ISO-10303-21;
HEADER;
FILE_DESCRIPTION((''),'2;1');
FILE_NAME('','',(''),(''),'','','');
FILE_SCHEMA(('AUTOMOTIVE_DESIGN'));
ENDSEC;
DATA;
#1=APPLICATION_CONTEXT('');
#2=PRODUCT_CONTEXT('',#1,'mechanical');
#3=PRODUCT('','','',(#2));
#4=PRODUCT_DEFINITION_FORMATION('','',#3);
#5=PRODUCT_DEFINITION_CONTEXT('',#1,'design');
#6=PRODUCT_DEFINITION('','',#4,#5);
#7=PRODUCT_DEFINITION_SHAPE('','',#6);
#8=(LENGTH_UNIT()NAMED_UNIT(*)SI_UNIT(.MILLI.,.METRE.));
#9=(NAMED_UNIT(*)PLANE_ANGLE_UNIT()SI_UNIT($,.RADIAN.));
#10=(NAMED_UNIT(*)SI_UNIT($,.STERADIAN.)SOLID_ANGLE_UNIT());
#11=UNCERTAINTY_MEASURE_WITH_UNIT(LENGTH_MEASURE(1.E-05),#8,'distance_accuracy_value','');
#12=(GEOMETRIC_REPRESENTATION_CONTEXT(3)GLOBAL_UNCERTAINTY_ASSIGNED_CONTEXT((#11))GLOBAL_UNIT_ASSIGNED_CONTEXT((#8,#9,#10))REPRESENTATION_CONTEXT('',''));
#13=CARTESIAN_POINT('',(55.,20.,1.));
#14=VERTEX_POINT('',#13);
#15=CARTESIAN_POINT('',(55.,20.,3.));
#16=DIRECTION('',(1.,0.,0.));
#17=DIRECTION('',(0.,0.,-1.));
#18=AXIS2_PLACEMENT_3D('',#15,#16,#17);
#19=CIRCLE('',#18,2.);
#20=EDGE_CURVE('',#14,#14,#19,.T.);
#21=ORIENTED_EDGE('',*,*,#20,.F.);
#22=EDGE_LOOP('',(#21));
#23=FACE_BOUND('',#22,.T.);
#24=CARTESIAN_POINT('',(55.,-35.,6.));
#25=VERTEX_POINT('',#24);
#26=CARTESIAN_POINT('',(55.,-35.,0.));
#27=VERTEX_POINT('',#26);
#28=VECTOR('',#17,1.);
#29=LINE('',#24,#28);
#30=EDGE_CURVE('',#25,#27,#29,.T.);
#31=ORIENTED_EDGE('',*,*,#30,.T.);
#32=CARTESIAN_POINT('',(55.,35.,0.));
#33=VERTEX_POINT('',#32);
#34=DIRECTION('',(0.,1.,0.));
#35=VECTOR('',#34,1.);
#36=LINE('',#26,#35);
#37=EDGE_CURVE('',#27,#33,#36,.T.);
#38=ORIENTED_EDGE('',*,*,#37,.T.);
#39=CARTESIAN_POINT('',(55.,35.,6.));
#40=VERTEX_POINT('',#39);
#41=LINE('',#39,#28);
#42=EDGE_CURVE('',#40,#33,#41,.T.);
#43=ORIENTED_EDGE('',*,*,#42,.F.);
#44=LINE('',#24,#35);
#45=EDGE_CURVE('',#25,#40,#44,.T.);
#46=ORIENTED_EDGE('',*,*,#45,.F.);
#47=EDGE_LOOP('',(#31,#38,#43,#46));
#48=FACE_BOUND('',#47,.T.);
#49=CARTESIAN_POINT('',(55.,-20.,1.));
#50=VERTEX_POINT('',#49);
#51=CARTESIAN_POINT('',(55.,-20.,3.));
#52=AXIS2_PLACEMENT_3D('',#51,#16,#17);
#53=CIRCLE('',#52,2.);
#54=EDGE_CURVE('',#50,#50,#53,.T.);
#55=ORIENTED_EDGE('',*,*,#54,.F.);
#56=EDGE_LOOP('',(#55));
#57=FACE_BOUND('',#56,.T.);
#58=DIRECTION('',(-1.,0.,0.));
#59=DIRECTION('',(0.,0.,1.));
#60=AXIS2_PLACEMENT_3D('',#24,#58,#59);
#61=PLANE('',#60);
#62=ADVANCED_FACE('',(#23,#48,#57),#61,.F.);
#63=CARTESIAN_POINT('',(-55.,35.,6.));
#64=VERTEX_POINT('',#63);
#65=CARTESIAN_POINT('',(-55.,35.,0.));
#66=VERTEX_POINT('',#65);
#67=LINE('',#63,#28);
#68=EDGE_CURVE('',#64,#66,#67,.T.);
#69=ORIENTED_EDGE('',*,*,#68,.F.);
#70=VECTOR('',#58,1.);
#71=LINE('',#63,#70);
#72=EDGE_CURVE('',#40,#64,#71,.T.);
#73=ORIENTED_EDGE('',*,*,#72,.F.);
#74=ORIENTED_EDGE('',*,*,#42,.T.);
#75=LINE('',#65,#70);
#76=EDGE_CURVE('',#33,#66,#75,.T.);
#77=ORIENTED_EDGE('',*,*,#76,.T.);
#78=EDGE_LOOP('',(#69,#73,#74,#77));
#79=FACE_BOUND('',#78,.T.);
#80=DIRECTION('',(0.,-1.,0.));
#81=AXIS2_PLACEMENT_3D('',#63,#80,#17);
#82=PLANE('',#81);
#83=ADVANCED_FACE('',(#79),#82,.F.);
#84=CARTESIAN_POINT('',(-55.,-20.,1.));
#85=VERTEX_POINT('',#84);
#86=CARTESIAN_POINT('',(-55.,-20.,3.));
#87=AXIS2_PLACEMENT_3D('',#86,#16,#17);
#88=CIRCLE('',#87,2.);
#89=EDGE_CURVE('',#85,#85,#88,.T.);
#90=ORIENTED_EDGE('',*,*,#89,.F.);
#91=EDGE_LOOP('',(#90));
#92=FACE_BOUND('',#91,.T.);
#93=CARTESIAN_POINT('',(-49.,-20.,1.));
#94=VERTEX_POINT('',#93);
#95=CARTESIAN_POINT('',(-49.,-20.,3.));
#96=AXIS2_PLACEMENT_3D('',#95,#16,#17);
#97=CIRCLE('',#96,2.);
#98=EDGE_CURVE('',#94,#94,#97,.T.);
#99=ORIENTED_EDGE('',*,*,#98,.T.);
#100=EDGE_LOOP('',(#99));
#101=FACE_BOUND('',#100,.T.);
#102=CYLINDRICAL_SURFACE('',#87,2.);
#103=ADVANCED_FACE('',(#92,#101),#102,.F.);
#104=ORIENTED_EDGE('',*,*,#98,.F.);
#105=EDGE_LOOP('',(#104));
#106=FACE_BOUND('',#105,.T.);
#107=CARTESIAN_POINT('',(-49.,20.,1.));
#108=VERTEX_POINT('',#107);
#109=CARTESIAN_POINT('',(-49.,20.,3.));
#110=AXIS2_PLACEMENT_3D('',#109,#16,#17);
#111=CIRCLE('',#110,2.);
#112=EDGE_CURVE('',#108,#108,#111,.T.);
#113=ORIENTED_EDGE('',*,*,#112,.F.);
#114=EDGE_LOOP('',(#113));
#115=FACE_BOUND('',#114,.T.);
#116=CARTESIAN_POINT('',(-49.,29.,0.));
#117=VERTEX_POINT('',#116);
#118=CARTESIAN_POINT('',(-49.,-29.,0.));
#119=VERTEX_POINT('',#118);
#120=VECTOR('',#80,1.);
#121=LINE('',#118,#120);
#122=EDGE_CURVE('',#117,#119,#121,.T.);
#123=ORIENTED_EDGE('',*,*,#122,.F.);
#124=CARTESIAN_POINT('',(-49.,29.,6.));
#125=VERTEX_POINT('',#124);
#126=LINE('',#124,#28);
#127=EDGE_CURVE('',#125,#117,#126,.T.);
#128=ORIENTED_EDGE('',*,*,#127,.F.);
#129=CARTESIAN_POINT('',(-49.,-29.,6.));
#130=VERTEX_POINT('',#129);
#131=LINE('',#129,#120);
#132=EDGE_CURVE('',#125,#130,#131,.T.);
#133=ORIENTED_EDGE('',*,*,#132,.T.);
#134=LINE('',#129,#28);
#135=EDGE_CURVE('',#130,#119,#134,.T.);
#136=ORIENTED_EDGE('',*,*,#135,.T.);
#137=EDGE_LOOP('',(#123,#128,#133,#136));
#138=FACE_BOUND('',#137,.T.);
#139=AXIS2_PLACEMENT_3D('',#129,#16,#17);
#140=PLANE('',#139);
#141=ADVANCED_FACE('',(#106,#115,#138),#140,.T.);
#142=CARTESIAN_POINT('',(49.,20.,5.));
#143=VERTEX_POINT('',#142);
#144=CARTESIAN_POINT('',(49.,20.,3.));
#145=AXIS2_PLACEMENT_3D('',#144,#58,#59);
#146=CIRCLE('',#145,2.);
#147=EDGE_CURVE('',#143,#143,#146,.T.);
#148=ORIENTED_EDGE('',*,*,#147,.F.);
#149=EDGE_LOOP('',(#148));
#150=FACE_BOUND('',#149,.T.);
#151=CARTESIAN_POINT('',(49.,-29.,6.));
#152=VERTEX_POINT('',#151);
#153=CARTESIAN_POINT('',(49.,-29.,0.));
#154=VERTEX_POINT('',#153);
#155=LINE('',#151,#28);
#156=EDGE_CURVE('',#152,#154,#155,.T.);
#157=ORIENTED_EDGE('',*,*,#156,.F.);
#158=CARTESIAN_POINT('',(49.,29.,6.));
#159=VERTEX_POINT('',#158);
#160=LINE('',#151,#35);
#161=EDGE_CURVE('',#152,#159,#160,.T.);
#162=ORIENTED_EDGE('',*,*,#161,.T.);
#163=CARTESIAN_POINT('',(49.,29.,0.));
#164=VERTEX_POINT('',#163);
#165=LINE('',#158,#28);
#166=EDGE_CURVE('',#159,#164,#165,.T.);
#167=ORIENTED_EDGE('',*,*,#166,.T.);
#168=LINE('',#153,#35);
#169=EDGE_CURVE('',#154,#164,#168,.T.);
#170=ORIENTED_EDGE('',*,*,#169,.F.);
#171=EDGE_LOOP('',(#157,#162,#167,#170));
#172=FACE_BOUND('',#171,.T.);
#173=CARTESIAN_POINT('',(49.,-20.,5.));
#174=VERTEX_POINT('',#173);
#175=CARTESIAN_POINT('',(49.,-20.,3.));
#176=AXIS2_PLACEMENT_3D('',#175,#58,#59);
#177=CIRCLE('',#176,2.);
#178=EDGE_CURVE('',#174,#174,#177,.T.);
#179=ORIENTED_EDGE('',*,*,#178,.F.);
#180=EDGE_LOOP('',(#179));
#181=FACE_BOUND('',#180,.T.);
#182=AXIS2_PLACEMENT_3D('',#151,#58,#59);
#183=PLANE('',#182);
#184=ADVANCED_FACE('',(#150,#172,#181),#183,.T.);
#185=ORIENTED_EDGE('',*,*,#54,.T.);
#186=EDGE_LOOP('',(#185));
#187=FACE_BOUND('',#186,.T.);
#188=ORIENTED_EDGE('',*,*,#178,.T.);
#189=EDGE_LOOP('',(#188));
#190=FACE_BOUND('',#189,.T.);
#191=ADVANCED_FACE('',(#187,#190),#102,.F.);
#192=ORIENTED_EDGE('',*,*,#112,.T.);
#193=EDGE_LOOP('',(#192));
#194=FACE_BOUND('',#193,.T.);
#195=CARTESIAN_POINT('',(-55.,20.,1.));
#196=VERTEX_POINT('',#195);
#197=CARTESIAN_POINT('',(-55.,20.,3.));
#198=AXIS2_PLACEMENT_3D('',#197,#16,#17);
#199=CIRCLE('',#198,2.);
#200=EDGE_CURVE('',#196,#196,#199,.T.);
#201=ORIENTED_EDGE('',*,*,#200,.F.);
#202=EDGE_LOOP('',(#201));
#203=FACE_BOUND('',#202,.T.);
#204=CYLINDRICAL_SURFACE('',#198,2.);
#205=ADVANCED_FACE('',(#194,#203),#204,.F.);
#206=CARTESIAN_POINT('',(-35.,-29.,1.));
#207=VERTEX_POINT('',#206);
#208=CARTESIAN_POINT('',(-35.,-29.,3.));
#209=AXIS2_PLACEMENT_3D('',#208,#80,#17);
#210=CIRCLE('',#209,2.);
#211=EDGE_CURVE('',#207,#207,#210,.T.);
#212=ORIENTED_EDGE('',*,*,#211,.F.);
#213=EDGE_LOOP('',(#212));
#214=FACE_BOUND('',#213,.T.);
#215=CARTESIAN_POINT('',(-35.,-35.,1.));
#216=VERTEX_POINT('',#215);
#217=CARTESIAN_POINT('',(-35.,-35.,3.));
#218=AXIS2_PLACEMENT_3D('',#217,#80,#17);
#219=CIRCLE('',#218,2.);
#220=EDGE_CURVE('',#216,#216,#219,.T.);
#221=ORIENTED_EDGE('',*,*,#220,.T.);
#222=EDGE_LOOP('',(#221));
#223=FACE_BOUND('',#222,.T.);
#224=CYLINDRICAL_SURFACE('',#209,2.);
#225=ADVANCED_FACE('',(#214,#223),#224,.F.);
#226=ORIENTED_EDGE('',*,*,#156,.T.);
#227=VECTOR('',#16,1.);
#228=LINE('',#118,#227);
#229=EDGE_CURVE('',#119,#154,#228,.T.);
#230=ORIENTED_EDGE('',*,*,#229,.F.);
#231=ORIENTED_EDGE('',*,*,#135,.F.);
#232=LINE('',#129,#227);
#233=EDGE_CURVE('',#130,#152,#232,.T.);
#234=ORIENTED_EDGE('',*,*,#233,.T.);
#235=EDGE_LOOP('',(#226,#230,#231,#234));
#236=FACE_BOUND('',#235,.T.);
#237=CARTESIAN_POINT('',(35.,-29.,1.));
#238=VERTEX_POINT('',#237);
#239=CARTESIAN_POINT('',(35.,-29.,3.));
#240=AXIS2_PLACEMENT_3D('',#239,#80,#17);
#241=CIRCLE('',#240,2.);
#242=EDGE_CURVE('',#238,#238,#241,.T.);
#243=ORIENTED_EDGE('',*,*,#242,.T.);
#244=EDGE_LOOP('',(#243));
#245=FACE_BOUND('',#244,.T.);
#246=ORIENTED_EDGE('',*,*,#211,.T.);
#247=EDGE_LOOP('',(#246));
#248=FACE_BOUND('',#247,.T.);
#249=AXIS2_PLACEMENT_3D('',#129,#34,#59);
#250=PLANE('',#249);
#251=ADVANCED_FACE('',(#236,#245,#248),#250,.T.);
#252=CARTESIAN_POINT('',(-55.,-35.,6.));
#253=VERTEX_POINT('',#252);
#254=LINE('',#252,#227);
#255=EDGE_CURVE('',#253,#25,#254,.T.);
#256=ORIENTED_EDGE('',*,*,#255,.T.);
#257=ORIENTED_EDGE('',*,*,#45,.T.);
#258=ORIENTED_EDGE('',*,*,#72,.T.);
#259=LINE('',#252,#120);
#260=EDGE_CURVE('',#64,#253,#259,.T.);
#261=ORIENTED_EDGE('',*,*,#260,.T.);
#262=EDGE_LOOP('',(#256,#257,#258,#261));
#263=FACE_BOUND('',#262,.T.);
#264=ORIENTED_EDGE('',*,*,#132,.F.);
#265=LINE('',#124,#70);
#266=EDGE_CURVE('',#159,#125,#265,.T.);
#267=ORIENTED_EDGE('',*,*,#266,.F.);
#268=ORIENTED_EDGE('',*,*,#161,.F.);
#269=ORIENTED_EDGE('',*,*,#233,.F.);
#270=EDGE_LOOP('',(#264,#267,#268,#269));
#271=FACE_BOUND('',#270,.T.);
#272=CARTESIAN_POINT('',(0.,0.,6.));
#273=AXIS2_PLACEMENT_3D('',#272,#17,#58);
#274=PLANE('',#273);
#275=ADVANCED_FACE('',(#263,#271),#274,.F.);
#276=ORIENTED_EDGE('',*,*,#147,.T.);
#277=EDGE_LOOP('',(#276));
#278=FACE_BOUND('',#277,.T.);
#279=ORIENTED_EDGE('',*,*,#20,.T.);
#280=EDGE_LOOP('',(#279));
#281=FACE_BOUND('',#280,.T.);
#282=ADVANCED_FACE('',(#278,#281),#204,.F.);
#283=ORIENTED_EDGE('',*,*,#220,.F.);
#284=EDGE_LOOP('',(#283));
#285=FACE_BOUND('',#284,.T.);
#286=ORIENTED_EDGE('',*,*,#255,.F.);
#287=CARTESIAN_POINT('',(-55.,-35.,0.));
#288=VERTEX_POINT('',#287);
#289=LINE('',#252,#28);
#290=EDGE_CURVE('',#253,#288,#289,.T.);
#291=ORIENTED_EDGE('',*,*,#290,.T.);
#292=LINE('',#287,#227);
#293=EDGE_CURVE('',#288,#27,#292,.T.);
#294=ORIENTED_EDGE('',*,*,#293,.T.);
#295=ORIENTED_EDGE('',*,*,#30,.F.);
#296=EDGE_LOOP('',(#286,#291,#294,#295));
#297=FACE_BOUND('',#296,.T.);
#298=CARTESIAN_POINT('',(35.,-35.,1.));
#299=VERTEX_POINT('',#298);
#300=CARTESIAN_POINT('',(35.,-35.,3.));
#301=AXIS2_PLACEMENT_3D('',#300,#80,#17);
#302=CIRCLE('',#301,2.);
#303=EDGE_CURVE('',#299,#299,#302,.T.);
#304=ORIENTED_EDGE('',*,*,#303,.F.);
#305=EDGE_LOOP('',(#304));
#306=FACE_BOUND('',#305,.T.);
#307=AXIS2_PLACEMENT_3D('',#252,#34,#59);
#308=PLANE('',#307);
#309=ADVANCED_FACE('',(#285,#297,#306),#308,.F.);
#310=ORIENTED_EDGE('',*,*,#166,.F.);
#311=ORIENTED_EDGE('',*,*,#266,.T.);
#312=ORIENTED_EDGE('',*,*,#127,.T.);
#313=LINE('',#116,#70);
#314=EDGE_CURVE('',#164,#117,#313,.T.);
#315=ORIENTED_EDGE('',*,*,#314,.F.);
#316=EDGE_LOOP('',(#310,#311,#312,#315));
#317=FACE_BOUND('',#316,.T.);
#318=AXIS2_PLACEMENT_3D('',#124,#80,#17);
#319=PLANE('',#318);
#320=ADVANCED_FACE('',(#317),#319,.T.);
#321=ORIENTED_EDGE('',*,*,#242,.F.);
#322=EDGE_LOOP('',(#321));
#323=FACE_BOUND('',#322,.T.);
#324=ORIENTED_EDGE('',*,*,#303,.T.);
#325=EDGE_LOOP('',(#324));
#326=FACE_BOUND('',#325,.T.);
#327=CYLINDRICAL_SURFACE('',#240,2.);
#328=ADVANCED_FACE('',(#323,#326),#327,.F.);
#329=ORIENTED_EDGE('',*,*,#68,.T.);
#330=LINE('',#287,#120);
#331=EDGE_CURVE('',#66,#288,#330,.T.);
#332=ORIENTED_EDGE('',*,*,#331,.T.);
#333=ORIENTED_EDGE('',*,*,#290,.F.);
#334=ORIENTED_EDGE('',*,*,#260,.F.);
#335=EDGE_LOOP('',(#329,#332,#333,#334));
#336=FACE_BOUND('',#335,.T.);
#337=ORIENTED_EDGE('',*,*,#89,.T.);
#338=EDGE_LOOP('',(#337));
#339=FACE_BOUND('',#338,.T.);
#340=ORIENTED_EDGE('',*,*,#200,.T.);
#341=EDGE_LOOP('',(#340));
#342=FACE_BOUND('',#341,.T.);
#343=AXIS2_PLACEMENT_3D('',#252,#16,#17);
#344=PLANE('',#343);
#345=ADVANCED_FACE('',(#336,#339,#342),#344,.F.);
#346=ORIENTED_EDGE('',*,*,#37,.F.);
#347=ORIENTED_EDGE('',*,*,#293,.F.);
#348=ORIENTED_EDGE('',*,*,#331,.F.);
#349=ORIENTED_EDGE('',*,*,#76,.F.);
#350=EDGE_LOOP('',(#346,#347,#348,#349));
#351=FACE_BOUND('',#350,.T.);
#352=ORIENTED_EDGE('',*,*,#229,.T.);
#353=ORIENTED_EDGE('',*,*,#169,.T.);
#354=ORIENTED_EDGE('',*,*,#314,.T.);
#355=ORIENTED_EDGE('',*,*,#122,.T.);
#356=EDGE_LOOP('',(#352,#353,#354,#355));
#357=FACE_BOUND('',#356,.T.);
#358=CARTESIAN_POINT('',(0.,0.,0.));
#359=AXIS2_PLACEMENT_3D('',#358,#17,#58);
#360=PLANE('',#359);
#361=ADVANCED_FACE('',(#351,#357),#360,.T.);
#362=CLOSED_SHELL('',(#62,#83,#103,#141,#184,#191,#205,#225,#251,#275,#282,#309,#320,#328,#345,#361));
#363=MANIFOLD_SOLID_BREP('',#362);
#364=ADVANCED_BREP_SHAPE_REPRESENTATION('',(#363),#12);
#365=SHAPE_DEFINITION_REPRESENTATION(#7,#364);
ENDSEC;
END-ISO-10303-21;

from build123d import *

# Parameters (mm, degrees)
SKETCH_1_W          = 110
SKETCH_1_H          = 70
SKETCH_1_W_2        = 98
SKETCH_1_H_2        = 58
EXTRUDE_1_DEPTH     = 6
SKETCH_3_R          = 2
CUT_EXTRUDE_2_DEPTH = 6
SKETCH_4_R          = 2
CUT_EXTRUDE_3_DEPTH = 110


with BuildPart() as part:
    # 草图1 → 凸台-拉伸1 (new body)
    with BuildSketch(Plane.XY):
        Rectangle(SKETCH_1_W, SKETCH_1_H)
        Rectangle(SKETCH_1_W_2, SKETCH_1_H_2, mode=Mode.SUBTRACT)
    extrude(amount=EXTRUDE_1_DEPTH)

    # 草图3 → 切除-拉伸2 (cut)
    with BuildSketch(Plane.XZ.offset(35)):
        with Locations(Location((-35, 3, 0), (0, 0, 270))):
            Circle(SKETCH_3_R)
        with Locations(Location((35, 3, 0), (0, 0, 270))):
            Circle(SKETCH_3_R)
    extrude(amount=-CUT_EXTRUDE_2_DEPTH, mode=Mode.SUBTRACT)

    # 草图4 → 切除-拉伸3 (cut)
    with BuildSketch(Plane(origin=(55, 0, 0), x_dir=(0, 0, -1), z_dir=(1, 0, 0))):
        with Locations((-3, 20)):
            Circle(SKETCH_4_R)
        with Locations((-3, -20)):
            Circle(SKETCH_4_R)
    extrude(amount=-CUT_EXTRUDE_3_DEPTH, mode=Mode.SUBTRACT)


solid = part.part
